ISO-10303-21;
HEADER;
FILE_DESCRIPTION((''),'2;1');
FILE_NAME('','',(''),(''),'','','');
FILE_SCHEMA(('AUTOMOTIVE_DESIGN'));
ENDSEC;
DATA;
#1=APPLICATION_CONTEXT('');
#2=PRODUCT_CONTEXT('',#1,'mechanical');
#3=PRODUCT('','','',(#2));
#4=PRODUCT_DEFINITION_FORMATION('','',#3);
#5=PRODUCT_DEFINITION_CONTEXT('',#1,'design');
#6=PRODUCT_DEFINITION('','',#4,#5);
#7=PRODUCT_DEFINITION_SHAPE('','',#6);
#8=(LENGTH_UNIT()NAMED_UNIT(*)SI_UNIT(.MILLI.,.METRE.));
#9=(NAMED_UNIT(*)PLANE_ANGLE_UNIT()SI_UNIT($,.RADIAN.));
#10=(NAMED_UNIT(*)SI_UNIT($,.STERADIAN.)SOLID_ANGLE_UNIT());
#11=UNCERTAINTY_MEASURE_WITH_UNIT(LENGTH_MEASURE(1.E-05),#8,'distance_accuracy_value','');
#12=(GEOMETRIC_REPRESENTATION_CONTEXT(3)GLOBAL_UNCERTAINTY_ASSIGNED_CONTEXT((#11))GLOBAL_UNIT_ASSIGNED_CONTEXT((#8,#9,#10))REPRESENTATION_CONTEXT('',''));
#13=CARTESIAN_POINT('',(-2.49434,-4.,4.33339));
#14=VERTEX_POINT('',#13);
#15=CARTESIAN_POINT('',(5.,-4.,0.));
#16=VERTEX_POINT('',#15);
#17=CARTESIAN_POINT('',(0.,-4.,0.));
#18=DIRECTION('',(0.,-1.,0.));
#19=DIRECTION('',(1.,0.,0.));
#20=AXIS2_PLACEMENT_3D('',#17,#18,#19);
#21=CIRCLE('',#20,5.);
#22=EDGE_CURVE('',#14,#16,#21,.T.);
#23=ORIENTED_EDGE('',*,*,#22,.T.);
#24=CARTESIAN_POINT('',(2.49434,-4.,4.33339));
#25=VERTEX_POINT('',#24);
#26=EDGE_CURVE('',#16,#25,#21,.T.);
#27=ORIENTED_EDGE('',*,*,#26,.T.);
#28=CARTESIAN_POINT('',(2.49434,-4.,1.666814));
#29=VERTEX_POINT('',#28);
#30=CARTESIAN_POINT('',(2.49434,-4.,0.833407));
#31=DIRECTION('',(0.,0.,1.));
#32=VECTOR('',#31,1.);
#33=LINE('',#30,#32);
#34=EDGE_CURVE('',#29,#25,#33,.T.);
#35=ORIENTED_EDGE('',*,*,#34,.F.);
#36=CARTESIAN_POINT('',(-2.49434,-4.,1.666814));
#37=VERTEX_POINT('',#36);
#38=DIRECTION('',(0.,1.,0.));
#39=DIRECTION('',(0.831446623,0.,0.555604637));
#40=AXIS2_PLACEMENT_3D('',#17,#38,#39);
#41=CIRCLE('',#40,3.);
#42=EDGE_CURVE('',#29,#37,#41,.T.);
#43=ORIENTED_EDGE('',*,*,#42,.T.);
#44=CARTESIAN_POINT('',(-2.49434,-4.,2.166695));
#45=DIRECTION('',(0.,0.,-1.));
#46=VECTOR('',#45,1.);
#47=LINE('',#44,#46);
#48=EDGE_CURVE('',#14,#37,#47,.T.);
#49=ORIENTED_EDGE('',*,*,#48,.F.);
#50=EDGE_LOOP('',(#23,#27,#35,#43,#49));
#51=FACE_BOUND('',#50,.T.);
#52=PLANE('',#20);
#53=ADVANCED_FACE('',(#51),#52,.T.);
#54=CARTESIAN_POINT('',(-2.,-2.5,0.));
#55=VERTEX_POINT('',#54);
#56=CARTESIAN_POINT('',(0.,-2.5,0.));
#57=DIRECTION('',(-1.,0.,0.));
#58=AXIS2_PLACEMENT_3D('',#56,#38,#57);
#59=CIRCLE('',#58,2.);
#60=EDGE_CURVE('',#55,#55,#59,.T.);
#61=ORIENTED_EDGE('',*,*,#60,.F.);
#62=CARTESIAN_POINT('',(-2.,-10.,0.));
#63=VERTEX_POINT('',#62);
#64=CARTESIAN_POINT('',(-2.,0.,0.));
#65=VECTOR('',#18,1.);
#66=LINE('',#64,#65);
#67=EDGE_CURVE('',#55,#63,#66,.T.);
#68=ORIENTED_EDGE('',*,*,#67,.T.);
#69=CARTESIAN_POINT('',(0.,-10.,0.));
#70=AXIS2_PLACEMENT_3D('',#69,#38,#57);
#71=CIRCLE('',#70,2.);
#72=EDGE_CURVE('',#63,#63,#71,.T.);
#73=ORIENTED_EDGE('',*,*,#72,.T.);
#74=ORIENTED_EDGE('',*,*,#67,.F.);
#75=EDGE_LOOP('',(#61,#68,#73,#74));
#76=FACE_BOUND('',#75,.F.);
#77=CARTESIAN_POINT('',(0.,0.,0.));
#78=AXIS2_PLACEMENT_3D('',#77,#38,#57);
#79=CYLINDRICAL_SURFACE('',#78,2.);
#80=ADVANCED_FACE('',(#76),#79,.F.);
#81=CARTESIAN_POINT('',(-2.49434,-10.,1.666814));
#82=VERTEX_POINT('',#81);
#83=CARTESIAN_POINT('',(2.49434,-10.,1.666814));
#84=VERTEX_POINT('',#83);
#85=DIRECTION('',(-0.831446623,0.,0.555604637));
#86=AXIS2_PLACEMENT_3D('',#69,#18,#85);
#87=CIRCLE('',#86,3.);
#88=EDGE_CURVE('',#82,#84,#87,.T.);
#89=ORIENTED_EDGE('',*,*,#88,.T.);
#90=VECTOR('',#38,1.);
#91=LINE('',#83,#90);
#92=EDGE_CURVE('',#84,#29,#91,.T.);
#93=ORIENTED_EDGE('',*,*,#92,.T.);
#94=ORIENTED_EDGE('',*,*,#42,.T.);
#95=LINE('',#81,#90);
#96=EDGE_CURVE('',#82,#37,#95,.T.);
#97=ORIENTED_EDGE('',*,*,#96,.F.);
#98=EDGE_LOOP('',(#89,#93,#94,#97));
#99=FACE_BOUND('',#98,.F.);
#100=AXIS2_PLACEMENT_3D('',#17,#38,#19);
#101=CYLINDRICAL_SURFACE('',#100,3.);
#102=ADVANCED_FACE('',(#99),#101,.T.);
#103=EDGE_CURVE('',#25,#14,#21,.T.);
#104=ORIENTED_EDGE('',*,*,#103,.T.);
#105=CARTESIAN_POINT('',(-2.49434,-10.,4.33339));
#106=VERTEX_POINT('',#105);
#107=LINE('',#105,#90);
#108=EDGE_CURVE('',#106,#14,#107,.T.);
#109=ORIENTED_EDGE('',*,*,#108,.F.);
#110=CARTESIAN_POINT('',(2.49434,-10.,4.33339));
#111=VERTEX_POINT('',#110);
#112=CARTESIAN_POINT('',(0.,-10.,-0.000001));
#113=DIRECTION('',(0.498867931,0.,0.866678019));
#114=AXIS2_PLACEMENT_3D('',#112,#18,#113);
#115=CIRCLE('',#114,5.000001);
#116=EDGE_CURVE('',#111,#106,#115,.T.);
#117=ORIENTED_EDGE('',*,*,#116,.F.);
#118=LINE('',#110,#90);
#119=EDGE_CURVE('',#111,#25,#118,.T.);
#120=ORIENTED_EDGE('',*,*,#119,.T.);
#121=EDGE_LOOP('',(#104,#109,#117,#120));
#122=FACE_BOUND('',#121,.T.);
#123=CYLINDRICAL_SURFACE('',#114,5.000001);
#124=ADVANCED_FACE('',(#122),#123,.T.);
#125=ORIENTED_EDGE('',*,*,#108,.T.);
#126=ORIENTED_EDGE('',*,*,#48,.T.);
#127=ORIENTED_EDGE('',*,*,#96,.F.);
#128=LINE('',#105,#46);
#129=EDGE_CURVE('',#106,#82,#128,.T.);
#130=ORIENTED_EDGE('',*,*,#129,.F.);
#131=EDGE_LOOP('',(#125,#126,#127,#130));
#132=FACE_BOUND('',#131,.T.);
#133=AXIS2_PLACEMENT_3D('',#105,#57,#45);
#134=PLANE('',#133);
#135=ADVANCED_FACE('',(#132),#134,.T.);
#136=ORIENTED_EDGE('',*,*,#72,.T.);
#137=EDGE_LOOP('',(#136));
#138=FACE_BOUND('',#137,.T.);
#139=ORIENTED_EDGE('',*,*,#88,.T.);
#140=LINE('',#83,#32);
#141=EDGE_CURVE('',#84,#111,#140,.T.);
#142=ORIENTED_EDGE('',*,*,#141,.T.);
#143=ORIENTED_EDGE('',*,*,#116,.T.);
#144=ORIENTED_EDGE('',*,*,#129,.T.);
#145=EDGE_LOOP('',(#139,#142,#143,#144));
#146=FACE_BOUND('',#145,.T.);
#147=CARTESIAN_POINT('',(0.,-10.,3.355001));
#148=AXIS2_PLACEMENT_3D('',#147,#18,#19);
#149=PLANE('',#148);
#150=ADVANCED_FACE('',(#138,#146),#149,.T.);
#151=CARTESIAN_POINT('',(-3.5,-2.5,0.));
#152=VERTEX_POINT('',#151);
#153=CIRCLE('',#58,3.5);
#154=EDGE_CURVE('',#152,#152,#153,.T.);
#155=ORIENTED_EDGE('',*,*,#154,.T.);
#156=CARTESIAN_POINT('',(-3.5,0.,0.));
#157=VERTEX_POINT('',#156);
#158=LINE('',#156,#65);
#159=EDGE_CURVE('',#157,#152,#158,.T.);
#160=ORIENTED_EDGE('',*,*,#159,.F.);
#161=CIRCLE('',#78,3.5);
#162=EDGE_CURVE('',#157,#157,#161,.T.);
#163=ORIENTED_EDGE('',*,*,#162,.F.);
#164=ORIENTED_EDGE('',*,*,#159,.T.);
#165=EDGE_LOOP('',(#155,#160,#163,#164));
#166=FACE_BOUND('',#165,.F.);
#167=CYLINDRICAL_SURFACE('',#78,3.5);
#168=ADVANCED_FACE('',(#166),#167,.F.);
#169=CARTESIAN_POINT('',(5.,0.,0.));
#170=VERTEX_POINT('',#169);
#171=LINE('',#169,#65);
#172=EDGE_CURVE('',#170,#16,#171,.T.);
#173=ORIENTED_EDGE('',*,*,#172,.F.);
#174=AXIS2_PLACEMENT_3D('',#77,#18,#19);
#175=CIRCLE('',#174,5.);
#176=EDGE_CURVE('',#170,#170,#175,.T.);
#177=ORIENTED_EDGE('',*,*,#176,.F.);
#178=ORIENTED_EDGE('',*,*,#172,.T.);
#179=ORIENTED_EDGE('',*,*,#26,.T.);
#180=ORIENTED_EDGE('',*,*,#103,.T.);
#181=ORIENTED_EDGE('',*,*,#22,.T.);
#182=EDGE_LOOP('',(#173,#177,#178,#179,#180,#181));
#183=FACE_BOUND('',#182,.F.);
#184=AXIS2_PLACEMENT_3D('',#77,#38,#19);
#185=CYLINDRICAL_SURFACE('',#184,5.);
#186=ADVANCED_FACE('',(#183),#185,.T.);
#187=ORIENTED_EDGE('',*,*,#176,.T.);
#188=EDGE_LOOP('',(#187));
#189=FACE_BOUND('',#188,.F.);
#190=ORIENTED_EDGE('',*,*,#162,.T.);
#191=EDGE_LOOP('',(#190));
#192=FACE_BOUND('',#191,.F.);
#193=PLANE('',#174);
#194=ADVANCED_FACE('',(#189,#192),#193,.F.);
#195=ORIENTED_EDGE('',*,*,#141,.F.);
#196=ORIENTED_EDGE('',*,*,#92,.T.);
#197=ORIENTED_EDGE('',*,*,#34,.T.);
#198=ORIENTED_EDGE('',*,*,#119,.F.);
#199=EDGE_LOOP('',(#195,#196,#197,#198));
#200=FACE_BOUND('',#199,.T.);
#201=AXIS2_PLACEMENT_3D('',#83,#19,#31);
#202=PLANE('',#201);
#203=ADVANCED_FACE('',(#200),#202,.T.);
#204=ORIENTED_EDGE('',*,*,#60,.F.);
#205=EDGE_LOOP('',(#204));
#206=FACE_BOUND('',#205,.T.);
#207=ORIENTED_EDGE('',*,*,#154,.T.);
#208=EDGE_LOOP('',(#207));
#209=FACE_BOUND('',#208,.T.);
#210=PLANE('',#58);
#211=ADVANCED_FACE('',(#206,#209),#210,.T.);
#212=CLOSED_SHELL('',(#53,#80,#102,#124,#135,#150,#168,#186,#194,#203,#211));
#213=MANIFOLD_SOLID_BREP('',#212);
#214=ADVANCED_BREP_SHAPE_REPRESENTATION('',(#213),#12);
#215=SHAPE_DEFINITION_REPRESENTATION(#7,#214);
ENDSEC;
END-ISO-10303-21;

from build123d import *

# Parameters (mm, degrees)
F0_R     = 5
F1_DEPTH = 4
F2_R     = 3
F3_DEPTH = 6
F4_R     = 2
F5_DEPTH = 25
F4_R_2   = 3.5
F6_DEPTH = 2.5
F8_DEPTH = 7


with BuildPart() as f1:
    # F0 (on Front) → F1 (new body)
    with BuildSketch(Plane.XZ):
        Circle(F0_R)
    extrude(amount=F1_DEPTH)

    # F2 (on face) → F3 (join)
    with BuildSketch(Plane.XZ.offset(4)):
        Circle(F2_R)
    extrude(amount=F3_DEPTH)

    # F4 (on face) → F5 (cut)
    with BuildSketch(Plane(origin=(0, 0, 0), x_dir=(-1, 0, 0), z_dir=(0, 1, 0))):
        Circle(F4_R)
    extrude(amount=-F5_DEPTH, mode=Mode.SUBTRACT)

    # F4 (on face) → F6 (cut)
    with BuildSketch(Plane(origin=(0, 0, 0), x_dir=(-1, 0, 0), z_dir=(0, 1, 0))):
        Circle(F4_R_2)
        Circle(F4_R, mode=Mode.SUBTRACT)
    extrude(amount=-F6_DEPTH, mode=Mode.SUBTRACT)

    # F7 (on face) → F8 (join)
    with BuildSketch(Plane.XZ.offset(10)):
        with BuildLine():
            Line((2.49434, 1.666814), (2.49434, 4.33339))
            ThreePointArc((2.49434, 4.33339), (0, 5), (-2.49434, 4.33339))
            Line((-2.49434, 4.33339), (-2.49434, 1.666814))
            ThreePointArc((-2.49434, 1.666814), (0, 3), (2.49434, 1.666814))
        make_face()
    extrude(amount=-F8_DEPTH)


solid = f1.part
